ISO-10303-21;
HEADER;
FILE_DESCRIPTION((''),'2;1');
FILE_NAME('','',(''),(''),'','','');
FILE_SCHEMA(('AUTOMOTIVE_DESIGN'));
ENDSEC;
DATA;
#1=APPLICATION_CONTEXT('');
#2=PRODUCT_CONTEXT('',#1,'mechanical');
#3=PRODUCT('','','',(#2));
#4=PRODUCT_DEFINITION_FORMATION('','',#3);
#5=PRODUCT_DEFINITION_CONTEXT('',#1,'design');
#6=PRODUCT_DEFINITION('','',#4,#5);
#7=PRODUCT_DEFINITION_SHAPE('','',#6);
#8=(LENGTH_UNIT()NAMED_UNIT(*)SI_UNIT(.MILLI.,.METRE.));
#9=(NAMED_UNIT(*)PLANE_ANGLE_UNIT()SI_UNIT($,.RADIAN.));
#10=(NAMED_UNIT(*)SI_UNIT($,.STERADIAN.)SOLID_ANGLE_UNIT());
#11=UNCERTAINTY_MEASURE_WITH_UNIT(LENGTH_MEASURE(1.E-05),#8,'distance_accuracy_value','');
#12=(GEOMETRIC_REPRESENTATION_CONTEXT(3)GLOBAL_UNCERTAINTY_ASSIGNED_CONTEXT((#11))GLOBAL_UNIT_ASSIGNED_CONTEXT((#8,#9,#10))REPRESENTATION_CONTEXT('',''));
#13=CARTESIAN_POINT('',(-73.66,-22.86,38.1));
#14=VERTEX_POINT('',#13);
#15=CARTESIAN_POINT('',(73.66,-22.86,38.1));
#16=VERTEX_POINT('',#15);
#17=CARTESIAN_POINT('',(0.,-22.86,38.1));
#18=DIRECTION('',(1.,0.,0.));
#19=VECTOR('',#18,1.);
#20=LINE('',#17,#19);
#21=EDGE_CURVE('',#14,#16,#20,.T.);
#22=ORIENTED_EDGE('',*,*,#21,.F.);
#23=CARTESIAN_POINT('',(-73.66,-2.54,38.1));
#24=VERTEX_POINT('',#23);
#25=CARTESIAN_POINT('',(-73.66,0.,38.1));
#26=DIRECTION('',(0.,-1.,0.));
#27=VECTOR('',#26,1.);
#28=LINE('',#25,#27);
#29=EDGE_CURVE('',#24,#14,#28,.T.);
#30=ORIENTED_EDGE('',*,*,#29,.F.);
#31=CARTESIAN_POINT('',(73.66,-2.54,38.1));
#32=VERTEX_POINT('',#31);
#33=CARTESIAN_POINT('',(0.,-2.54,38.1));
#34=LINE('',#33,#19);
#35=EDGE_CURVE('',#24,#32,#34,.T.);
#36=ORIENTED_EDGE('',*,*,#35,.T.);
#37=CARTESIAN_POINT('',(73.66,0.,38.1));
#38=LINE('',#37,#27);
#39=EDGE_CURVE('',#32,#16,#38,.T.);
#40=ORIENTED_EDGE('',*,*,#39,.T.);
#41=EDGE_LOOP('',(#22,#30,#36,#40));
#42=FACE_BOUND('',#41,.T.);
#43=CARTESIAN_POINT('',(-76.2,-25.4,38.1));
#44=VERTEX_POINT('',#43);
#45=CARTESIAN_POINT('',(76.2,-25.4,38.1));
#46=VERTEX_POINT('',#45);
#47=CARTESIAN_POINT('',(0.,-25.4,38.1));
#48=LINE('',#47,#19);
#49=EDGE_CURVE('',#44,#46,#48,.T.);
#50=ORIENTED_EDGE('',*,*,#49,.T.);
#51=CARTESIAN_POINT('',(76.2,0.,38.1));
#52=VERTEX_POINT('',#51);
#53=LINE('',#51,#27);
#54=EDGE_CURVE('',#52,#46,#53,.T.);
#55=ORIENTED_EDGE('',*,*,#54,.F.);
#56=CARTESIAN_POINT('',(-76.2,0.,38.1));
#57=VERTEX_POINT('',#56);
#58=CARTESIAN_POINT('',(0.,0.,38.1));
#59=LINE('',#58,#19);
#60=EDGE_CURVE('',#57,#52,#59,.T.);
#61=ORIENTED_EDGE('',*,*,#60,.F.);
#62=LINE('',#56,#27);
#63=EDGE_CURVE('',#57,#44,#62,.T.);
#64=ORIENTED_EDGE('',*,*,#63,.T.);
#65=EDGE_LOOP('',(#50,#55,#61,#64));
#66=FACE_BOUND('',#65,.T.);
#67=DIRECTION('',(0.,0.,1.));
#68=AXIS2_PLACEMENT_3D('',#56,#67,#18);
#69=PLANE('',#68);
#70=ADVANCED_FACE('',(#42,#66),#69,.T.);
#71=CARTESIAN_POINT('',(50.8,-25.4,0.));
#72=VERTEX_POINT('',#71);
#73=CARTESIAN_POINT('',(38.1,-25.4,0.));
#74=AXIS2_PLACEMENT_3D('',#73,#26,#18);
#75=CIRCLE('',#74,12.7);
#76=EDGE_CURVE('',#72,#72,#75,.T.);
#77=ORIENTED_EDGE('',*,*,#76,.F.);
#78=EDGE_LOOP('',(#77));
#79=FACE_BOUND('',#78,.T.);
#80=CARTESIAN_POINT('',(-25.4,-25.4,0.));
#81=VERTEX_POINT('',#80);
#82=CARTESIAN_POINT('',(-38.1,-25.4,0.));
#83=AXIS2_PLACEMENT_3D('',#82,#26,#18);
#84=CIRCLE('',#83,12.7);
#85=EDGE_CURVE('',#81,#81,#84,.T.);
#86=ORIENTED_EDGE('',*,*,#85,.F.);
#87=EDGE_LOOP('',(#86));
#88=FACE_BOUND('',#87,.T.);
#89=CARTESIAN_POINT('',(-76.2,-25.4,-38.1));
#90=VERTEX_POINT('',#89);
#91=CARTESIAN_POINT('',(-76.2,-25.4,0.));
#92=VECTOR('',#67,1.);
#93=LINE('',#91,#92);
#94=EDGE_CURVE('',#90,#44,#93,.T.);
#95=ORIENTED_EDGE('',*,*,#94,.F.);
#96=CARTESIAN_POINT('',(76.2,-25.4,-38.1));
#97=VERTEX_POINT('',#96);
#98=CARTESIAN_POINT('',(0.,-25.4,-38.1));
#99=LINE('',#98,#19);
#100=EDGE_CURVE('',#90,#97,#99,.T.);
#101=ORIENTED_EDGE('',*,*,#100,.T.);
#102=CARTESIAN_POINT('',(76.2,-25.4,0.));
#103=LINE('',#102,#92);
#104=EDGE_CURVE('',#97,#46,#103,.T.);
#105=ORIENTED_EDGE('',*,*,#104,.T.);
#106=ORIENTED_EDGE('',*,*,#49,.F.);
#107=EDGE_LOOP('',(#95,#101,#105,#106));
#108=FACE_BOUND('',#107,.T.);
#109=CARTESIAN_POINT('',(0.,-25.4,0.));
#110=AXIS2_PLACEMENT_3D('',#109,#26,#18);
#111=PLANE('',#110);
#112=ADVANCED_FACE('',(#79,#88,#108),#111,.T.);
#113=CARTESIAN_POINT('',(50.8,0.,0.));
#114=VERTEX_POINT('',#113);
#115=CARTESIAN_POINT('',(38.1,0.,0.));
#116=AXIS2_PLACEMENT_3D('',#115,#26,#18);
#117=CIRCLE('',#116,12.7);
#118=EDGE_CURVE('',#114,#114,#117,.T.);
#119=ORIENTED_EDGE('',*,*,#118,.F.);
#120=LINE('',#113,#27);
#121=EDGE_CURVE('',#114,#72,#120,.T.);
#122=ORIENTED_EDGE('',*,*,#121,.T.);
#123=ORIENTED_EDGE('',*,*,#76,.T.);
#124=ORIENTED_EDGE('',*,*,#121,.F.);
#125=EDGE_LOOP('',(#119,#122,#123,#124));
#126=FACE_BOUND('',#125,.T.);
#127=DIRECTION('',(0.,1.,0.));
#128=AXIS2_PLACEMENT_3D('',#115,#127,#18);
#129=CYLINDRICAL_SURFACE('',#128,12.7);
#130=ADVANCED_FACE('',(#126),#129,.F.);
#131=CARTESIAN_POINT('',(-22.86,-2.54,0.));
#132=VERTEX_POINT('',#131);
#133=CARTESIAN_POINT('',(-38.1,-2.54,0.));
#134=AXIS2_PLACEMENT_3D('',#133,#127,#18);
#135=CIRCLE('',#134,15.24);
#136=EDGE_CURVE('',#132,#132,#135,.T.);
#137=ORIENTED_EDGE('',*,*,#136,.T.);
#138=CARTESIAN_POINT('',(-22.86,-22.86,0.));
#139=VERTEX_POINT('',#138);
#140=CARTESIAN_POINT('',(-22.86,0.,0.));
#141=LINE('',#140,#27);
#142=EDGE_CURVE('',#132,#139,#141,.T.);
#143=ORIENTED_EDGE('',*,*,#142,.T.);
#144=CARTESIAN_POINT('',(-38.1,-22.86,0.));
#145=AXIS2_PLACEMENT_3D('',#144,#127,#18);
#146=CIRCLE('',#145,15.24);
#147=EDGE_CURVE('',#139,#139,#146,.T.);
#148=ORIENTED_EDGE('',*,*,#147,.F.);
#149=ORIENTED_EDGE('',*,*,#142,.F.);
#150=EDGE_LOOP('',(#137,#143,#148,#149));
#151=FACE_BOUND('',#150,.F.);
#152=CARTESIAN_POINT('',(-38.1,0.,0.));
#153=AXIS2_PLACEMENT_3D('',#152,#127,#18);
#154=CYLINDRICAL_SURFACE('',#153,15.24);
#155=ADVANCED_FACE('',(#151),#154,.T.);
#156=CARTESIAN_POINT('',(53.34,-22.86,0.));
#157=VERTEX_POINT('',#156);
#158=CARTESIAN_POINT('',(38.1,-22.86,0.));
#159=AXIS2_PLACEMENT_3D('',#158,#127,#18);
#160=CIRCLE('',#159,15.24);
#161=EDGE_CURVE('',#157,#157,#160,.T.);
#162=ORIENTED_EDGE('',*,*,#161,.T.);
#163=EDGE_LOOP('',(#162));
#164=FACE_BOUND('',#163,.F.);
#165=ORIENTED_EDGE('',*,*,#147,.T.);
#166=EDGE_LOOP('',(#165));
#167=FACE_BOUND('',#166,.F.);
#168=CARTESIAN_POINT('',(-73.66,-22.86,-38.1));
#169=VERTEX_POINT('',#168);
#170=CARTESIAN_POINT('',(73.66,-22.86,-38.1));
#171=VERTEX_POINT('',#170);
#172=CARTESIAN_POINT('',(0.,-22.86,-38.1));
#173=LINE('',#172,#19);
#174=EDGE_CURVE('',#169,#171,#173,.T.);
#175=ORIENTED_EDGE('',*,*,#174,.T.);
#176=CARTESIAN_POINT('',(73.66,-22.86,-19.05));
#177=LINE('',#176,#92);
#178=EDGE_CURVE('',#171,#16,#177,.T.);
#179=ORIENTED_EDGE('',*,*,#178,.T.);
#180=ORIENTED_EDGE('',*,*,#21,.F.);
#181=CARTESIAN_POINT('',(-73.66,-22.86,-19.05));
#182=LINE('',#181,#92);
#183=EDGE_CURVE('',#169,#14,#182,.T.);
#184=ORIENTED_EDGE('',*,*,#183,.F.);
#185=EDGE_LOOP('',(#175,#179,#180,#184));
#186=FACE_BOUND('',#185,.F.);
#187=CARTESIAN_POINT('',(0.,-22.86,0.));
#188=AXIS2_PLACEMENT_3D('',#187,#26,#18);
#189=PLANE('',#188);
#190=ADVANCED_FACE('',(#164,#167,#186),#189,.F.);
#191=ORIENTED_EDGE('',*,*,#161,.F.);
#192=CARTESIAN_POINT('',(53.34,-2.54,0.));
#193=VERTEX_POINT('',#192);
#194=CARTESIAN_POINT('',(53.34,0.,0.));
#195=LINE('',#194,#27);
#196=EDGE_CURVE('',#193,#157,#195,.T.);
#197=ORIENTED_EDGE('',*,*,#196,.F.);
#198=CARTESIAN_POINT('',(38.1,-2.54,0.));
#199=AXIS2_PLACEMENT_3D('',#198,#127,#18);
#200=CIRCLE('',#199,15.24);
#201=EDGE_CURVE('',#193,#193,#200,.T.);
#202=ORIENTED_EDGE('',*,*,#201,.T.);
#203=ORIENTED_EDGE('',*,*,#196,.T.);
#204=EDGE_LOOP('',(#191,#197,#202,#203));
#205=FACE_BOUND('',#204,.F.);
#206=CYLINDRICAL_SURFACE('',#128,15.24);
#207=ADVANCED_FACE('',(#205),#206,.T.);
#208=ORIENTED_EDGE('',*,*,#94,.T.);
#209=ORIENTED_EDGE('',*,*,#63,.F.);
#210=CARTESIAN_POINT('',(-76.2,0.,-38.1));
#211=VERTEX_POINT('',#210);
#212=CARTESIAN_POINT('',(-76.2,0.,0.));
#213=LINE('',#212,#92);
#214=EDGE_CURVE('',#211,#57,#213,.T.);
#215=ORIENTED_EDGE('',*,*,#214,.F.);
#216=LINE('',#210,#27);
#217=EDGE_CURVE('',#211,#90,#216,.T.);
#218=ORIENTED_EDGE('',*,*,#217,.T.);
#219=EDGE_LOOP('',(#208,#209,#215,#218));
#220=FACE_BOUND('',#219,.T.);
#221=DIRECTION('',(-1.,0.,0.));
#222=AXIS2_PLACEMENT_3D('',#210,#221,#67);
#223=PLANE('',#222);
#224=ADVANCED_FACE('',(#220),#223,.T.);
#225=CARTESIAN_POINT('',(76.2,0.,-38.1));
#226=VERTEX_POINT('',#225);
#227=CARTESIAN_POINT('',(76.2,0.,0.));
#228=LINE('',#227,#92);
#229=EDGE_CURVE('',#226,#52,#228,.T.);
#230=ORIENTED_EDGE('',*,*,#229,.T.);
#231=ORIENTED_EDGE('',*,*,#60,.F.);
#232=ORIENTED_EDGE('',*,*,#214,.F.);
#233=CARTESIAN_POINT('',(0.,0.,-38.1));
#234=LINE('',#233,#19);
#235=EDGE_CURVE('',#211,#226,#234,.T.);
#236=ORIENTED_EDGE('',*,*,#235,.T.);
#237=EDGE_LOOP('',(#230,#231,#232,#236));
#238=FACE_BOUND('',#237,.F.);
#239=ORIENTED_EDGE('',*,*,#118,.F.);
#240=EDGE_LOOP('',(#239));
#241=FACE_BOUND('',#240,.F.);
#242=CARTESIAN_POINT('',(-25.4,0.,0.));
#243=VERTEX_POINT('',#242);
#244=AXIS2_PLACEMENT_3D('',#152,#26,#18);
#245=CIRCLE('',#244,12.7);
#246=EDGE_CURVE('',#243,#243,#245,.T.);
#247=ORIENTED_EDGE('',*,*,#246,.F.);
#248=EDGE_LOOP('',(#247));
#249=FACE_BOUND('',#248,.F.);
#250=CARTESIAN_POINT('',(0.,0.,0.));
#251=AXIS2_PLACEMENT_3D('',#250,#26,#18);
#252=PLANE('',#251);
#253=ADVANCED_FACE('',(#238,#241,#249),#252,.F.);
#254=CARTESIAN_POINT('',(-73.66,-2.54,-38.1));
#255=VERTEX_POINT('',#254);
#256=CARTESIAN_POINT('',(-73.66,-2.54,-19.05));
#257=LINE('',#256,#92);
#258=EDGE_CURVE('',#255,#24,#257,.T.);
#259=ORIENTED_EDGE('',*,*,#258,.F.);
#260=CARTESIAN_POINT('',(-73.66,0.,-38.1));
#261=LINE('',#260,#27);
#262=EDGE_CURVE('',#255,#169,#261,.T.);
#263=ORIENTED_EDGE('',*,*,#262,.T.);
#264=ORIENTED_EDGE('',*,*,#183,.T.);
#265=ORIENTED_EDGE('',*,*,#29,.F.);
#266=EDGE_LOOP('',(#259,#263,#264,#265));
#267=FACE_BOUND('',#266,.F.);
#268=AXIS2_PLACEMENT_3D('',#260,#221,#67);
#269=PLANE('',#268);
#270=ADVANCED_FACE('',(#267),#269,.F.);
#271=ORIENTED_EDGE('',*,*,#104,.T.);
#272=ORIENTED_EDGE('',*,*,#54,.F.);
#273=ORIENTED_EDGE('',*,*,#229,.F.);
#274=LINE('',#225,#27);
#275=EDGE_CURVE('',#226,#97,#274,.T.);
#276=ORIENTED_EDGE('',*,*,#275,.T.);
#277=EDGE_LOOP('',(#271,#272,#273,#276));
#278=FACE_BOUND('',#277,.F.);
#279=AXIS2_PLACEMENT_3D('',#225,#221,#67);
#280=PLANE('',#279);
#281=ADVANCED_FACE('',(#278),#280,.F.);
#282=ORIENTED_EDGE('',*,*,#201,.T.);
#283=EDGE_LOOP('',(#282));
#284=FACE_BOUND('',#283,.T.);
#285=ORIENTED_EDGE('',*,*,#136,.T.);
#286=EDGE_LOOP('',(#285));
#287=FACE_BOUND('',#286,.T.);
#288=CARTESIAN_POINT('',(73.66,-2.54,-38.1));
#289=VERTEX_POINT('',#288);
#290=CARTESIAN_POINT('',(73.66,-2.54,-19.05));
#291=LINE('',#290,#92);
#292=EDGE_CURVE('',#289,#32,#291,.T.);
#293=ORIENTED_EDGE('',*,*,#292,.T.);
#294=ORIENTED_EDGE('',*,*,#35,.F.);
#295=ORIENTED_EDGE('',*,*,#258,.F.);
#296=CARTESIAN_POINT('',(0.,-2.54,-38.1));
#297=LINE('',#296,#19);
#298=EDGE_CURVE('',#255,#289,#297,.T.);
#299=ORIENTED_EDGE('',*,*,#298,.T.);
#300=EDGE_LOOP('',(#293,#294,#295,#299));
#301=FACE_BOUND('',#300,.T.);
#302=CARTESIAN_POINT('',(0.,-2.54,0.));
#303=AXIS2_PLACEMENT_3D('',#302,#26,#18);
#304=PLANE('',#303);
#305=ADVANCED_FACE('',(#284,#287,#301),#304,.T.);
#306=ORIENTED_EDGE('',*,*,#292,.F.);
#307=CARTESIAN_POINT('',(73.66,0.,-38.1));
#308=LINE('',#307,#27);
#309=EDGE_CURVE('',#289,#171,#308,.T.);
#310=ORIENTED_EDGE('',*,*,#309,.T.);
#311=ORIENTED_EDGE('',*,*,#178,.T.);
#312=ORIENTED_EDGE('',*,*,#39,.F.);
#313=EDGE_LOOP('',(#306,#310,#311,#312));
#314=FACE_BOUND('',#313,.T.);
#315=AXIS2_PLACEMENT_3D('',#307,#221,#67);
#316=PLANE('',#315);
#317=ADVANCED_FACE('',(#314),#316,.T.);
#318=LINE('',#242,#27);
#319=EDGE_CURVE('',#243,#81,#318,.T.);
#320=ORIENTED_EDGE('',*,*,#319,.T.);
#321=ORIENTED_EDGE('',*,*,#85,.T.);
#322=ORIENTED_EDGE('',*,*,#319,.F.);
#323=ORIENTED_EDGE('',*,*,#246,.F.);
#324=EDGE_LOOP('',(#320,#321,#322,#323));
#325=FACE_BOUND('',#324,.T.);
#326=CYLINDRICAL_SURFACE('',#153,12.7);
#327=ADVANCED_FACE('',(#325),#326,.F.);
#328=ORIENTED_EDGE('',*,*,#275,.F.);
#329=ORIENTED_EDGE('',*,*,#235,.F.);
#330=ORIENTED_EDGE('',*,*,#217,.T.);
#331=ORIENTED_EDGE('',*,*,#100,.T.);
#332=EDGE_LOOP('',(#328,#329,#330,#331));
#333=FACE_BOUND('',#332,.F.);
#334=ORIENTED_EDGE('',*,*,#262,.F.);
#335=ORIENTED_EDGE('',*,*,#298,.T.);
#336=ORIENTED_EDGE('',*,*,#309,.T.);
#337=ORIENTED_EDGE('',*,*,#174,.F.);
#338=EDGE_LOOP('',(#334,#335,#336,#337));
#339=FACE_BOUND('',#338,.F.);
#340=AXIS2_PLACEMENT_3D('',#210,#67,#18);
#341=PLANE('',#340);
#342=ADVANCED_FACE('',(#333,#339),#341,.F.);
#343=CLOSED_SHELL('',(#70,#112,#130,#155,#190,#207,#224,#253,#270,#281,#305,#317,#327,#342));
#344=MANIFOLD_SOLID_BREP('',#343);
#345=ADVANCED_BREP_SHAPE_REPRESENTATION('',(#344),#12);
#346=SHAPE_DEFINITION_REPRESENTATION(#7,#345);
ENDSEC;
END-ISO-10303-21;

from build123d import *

# Parameters (mm, degrees)
F0_W     = 152.4
F0_H     = 76.2
F0_R     = 12.7
F1_DEPTH = 25.4
F2_T     = -2.54


with BuildPart() as f1:
    # F0 (on Front) → F1 (new body)
    with BuildSketch(Plane.XZ):
        Rectangle(F0_W, F0_H)
        with Locations((-38.1, 0)):
            Circle(F0_R, mode=Mode.SUBTRACT)
        with Locations((38.1, 0)):
            Circle(F0_R, mode=Mode.SUBTRACT)
    extrude(amount=F1_DEPTH)

    # F2
    f2_openings = [f1.faces().sort_by_distance(p)[0] for p in [
        (0, -12.7, 38.1),
        (0, -12.7, -38.1),
    ]]
    offset(amount=F2_T, openings=f2_openings)


solid = f1.part
